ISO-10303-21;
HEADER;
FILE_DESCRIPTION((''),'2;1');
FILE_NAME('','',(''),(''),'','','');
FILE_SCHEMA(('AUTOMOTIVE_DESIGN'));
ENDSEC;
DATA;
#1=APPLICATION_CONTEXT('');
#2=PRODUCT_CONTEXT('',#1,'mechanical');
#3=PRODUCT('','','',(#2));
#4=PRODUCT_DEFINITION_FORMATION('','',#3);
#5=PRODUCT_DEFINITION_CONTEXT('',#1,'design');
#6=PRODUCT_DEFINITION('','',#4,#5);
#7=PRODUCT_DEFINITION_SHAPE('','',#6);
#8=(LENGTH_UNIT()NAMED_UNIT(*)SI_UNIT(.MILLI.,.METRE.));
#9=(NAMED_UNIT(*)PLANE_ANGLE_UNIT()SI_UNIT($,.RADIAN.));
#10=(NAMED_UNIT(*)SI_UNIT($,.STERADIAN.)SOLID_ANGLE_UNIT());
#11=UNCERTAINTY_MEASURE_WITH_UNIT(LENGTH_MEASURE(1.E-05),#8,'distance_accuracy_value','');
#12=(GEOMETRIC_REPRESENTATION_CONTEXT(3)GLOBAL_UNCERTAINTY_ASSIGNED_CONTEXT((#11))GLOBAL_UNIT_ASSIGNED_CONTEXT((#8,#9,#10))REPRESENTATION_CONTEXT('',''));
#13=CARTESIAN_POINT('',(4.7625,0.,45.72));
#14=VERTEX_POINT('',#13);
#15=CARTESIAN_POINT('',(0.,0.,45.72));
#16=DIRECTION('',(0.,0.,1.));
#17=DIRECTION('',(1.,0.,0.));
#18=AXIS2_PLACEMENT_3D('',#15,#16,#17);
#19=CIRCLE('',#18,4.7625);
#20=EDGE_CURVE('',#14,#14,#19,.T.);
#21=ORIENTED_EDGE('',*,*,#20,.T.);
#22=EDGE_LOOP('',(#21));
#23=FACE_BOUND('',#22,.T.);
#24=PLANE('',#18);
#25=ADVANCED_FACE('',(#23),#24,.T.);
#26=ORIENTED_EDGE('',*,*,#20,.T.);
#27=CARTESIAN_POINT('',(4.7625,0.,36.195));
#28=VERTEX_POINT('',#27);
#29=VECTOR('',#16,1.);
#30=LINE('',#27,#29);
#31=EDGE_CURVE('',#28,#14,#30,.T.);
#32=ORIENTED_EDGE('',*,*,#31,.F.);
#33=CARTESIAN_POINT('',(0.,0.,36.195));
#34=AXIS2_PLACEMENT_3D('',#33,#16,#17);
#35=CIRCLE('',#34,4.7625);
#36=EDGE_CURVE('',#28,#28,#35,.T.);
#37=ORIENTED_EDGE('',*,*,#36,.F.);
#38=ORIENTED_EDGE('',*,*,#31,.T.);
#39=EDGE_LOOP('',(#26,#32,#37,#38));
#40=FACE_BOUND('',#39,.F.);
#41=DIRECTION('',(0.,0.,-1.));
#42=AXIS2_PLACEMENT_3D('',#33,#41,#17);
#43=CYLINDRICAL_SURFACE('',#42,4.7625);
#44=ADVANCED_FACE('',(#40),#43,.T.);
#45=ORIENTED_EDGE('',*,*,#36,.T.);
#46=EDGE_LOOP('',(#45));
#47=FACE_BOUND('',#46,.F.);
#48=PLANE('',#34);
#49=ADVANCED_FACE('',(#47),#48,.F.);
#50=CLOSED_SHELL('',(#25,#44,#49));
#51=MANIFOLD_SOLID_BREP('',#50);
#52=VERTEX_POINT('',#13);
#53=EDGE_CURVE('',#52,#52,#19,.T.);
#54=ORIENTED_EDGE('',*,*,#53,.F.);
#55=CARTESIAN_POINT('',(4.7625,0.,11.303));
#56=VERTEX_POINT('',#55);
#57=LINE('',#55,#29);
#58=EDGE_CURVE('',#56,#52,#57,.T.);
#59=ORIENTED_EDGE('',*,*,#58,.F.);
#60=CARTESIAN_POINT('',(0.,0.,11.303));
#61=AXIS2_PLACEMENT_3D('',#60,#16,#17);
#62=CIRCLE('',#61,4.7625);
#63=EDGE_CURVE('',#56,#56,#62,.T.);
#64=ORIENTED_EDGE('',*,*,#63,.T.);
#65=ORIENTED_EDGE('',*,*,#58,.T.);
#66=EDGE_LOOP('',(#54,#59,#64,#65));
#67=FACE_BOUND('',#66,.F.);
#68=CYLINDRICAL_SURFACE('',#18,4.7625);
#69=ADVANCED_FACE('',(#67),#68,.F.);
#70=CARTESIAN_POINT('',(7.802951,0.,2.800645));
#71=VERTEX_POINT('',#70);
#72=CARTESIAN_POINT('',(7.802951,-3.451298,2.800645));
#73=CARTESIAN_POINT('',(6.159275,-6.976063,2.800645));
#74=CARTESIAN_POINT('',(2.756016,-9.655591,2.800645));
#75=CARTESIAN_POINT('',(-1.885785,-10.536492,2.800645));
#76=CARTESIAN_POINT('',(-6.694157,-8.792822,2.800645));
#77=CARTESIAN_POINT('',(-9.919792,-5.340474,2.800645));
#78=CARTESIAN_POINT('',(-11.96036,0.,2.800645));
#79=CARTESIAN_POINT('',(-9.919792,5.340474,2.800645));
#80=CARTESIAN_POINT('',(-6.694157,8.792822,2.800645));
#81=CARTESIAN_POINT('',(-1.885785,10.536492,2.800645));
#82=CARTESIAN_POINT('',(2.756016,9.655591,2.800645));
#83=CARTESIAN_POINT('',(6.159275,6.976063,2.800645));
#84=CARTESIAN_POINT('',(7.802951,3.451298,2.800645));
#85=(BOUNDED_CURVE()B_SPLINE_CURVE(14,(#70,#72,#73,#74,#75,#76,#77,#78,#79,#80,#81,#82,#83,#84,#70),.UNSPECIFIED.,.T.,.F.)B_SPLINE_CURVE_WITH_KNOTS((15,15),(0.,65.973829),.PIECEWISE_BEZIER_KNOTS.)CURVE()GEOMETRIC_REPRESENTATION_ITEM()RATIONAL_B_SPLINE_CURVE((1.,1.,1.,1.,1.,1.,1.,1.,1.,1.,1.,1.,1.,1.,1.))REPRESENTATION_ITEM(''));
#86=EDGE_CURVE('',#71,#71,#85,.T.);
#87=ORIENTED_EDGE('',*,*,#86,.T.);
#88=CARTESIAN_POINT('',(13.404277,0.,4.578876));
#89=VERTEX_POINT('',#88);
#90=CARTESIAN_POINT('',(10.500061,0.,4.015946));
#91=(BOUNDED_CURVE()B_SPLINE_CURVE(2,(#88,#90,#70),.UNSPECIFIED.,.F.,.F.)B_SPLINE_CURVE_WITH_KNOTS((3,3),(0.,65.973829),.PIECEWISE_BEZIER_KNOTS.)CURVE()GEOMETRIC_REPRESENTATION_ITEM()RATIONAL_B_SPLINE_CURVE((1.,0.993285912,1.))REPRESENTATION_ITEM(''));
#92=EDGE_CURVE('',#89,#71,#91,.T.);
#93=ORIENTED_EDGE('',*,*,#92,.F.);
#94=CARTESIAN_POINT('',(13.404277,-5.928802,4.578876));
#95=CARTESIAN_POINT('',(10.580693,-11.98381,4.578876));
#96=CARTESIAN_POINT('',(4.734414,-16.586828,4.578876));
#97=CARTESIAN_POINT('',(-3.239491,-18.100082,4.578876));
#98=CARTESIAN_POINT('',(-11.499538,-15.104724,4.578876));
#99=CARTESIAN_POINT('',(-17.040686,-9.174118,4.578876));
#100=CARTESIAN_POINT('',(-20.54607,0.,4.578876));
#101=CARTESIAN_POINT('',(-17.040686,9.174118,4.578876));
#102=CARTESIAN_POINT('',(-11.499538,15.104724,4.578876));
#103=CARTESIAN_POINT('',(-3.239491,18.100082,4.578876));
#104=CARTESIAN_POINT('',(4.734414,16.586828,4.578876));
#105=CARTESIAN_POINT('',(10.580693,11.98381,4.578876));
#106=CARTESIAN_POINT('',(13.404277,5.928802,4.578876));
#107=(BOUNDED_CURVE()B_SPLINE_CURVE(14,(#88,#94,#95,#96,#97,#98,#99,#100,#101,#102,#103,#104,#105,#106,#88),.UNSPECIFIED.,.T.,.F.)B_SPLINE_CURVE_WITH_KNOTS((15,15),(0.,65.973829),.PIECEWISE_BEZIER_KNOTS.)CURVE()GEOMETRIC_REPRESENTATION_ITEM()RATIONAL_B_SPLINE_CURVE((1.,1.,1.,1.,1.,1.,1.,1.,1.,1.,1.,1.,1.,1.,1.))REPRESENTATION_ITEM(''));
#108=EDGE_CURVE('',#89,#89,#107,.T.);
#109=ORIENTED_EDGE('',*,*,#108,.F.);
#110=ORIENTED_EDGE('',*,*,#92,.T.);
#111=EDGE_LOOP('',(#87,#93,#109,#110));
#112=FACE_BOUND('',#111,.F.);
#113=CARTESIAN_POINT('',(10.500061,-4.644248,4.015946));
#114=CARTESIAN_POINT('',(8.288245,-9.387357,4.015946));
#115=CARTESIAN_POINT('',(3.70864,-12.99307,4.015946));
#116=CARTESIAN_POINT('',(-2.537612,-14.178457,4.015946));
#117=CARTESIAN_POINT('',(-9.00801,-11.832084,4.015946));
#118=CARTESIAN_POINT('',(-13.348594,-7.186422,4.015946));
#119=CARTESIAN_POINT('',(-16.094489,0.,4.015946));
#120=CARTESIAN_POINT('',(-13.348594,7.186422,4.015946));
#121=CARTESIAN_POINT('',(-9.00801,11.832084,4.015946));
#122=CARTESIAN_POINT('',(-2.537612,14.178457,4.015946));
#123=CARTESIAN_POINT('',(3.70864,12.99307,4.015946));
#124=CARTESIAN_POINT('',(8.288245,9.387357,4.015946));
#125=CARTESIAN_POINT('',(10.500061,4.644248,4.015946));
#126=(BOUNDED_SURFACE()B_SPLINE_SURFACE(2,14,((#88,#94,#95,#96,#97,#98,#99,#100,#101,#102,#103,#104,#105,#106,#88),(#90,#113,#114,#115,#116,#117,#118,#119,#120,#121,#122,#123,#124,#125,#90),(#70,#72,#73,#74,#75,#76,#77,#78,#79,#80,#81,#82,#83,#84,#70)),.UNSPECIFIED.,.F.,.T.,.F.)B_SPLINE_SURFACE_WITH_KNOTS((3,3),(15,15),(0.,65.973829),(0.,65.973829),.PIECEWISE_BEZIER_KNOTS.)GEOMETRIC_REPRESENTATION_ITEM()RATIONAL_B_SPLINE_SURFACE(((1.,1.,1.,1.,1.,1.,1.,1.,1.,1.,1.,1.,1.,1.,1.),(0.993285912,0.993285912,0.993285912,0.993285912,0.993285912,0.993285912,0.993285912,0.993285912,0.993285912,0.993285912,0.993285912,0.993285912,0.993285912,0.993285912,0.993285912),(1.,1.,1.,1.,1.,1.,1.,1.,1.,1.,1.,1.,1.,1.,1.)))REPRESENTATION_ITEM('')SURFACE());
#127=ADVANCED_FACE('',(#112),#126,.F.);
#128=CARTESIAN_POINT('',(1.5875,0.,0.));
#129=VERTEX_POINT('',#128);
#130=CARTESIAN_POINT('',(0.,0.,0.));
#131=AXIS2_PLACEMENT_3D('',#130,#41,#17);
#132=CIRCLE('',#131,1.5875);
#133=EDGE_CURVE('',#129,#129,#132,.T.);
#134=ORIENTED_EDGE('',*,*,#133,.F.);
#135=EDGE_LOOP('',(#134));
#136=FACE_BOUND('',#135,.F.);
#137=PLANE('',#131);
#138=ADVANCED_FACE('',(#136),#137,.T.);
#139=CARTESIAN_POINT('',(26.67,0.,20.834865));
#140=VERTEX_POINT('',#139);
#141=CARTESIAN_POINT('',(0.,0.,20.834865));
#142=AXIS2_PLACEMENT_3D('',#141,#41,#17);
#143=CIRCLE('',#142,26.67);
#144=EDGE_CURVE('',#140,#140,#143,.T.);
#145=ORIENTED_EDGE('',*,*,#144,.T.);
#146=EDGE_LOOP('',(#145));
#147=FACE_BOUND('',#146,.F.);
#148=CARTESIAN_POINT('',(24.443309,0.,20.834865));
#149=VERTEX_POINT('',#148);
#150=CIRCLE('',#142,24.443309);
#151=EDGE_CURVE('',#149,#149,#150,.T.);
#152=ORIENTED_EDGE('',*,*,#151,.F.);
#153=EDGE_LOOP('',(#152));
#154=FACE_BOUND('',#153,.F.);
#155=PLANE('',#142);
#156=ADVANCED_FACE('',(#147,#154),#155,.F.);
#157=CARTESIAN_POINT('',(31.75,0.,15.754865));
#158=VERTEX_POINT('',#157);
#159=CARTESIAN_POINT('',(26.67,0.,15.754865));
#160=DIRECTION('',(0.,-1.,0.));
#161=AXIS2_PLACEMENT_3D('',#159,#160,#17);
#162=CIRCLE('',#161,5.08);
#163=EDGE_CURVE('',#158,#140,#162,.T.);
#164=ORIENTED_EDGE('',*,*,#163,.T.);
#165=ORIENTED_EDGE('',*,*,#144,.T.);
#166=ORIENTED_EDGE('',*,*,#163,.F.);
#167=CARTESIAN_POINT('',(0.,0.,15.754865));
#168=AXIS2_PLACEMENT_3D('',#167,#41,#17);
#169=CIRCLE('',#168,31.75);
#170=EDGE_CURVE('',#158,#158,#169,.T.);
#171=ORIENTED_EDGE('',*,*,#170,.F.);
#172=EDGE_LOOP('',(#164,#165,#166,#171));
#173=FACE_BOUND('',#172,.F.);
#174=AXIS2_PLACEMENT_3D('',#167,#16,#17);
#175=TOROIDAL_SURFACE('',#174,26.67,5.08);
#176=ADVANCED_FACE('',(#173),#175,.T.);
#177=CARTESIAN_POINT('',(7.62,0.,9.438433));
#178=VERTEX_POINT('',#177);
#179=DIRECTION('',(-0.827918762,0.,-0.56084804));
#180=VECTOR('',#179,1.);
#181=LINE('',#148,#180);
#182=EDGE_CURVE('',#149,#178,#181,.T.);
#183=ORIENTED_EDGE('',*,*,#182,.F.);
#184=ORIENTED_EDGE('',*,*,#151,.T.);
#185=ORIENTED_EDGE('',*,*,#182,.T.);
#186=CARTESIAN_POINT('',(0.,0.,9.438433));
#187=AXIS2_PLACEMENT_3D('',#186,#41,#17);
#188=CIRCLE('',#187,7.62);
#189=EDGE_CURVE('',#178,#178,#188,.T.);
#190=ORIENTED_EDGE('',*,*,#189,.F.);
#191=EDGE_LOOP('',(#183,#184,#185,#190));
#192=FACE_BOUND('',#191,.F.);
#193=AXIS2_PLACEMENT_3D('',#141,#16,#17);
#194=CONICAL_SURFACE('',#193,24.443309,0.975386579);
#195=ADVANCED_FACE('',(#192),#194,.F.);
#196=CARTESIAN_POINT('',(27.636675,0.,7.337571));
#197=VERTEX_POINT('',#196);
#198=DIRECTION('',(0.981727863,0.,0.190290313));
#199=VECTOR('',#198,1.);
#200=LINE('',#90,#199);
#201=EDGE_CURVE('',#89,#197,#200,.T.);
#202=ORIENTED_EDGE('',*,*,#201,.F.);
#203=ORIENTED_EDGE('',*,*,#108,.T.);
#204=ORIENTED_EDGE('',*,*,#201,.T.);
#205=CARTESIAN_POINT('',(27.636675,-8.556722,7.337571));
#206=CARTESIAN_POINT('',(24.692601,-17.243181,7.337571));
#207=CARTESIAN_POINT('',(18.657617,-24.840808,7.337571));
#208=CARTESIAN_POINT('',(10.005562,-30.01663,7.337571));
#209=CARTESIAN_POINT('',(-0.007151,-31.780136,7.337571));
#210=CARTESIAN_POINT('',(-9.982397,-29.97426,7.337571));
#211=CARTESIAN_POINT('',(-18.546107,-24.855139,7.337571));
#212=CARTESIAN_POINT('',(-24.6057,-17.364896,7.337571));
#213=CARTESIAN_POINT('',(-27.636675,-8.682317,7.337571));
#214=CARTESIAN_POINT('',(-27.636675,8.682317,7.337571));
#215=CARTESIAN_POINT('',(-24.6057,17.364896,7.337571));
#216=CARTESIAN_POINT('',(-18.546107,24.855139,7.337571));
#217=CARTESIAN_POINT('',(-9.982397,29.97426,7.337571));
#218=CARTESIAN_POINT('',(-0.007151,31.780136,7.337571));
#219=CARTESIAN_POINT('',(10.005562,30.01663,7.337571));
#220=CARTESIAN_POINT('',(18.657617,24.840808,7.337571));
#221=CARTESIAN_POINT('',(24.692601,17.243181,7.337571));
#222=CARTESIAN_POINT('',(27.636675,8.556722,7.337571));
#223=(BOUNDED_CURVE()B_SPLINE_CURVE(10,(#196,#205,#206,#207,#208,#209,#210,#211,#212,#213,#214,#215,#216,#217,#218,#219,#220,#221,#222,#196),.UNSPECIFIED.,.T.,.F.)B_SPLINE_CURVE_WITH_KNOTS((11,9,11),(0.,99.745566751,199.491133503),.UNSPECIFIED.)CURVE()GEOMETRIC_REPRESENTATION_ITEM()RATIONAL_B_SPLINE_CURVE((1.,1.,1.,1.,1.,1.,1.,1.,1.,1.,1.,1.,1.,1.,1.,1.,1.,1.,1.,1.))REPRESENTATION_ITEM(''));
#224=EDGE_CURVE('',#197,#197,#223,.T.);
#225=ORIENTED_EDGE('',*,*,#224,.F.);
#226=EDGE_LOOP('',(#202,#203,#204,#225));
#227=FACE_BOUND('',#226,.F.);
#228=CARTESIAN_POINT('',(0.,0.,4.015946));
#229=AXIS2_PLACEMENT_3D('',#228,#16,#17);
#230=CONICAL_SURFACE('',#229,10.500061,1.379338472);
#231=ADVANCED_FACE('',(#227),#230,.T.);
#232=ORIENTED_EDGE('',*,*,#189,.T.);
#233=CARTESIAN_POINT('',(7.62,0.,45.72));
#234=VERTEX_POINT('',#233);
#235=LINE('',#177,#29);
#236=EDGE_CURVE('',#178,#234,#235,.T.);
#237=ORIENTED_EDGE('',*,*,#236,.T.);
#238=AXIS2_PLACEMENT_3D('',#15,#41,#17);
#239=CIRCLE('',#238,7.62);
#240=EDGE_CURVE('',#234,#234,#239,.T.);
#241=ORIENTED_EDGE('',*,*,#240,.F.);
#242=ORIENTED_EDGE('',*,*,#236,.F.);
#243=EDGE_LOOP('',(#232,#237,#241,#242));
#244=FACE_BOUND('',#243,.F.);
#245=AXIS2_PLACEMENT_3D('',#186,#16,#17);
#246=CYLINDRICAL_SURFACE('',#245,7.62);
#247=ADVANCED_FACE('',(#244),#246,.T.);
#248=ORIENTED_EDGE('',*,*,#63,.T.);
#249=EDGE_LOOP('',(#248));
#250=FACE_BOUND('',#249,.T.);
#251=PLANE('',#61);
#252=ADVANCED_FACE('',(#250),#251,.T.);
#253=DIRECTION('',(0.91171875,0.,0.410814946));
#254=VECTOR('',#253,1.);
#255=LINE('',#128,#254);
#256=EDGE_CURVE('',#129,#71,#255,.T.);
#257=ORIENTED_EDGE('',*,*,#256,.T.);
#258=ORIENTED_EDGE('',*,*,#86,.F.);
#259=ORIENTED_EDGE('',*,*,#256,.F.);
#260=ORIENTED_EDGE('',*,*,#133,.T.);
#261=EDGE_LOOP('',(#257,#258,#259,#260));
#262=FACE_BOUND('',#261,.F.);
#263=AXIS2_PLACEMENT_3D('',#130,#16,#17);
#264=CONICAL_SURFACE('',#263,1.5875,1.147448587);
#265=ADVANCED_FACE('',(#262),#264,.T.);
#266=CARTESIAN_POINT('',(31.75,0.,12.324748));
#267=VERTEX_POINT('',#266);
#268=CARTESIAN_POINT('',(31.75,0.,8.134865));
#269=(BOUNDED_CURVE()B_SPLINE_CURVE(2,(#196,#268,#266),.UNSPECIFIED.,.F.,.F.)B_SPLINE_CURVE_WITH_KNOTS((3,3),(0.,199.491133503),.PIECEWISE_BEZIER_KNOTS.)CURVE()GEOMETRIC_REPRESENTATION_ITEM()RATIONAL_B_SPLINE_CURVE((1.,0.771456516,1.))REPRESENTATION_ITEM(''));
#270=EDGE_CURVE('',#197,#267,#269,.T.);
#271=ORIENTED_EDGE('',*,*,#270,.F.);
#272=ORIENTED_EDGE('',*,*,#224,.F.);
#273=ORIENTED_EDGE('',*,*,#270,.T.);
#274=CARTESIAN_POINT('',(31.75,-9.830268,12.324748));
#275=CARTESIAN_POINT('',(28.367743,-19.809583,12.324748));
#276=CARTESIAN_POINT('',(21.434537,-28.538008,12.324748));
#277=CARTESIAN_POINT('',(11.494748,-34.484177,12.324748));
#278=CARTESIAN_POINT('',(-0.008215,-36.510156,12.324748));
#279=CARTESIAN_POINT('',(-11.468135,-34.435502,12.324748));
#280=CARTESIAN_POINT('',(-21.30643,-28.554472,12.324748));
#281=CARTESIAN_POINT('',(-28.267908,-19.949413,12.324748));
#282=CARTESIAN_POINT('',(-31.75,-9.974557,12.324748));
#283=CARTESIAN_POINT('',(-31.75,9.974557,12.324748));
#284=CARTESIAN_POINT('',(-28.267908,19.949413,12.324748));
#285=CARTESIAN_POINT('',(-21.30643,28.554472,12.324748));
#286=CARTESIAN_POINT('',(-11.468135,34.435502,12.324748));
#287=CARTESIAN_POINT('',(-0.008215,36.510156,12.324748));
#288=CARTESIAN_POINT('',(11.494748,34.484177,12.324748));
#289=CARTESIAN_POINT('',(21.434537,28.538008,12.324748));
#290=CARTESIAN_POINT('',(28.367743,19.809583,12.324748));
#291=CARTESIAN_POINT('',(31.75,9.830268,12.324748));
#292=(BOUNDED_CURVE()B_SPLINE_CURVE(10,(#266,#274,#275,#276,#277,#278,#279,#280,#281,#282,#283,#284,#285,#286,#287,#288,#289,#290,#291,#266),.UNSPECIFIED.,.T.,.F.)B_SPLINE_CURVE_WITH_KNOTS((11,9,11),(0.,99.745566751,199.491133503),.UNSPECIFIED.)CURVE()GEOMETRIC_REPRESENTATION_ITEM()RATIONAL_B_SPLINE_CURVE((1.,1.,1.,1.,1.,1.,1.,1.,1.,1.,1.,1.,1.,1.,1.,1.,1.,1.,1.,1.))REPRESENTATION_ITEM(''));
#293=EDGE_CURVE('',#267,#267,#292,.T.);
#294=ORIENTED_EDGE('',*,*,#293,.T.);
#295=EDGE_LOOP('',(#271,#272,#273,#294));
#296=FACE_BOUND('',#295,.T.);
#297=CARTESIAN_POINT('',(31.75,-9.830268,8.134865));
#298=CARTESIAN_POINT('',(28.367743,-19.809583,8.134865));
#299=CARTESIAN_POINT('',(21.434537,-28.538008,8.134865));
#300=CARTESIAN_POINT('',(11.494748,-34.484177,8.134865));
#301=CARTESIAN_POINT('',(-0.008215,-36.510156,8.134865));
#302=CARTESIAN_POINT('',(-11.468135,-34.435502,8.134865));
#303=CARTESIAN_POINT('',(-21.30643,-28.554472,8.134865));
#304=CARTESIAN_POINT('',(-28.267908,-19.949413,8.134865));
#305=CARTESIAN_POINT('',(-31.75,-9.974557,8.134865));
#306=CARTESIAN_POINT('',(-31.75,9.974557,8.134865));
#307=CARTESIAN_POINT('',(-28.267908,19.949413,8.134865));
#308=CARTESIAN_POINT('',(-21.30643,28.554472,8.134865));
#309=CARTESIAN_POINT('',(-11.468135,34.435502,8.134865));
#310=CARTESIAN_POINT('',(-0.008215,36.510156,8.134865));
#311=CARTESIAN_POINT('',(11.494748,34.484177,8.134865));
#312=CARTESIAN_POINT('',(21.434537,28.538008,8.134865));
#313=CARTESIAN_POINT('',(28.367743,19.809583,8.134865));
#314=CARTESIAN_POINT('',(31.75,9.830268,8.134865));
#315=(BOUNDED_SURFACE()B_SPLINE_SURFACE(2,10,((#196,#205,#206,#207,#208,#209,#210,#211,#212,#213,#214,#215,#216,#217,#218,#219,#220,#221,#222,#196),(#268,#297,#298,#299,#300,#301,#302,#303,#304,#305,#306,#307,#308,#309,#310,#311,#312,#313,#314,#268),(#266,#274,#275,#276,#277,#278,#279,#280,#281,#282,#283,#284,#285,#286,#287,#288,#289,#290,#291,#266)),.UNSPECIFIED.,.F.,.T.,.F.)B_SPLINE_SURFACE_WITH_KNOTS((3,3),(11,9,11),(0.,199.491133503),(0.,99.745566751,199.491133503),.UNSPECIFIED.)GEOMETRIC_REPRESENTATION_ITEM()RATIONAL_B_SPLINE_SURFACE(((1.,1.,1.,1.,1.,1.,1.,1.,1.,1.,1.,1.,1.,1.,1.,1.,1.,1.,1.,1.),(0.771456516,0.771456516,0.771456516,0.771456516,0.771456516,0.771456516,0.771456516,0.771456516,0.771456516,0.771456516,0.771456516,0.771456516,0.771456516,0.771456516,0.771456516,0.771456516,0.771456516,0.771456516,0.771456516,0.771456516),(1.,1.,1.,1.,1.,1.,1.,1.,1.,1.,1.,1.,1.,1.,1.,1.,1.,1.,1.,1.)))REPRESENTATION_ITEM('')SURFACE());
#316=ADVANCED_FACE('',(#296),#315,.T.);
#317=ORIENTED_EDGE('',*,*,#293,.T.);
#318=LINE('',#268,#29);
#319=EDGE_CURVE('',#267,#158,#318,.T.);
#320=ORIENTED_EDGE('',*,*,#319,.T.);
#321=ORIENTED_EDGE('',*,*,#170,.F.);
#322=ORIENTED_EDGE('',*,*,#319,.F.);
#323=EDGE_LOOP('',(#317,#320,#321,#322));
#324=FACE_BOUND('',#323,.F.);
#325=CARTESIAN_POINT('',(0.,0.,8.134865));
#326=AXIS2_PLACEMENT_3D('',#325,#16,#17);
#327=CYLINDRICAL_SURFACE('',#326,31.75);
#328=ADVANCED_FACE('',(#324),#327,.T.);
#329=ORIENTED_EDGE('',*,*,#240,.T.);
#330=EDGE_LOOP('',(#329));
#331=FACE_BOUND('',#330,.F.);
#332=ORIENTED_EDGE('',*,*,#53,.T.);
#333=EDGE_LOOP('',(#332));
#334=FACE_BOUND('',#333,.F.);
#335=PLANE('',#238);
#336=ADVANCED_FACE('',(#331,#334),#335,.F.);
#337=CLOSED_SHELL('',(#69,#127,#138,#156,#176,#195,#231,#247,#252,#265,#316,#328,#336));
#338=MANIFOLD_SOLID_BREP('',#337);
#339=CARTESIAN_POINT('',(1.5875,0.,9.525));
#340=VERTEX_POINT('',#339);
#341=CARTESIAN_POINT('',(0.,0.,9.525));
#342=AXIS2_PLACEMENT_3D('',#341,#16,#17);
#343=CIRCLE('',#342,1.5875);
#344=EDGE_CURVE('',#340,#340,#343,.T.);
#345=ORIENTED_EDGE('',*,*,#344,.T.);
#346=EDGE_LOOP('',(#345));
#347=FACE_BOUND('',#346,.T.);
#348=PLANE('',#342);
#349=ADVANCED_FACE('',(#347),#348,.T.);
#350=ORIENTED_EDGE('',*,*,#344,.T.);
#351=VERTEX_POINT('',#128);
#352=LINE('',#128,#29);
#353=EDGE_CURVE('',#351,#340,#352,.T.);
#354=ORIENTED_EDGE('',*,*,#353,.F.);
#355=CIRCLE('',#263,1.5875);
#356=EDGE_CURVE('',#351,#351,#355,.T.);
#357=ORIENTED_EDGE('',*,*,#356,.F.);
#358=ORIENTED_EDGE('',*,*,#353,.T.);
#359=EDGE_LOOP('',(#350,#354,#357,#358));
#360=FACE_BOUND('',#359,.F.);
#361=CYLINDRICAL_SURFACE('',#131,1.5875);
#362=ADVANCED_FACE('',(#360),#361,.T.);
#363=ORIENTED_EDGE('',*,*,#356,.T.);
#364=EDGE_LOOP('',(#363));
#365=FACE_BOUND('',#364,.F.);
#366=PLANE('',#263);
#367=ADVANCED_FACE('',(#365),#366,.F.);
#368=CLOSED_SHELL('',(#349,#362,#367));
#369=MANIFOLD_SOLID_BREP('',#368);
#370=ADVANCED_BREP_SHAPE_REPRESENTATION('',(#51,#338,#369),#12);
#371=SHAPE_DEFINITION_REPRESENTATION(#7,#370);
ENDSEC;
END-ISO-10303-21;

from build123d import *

# Parameters (mm, degrees)
F2_R      = 5.08
F3_R      = 25.4
F4_R      = 4.7625
F5_DEPTH  = 9.525
F6_R      = 1.5875
F7_DEPTH  = 9.525
F5_FACE_R = 4.7625
F8_DEPTH  = 9.525
F9_DEPTH  = 24.892


with BuildPart() as f1:
    # F0 (on Front) → F1 (revolve)
    with BuildSketch(Plane.XZ):
        Polygon((10.500061, 4.015946), (31.75, 8.134865), (31.75, 20.834865), (24.443309, 20.834865), (7.62, 9.438433), (7.62, 45.72), (0, 45.72), (0, 0), (1.5875, 0), align=None)
    revolve(axis=Axis((0, 0, 22.86), (0, 0, -1)))

    # F2
    f2_edges = [f1.edges().sort_by_distance(p)[0] for p in [
        (-31.75, 0, 8.134865),
        (-31.75, 0, 20.834865),
        (31.75, 0, 14.484865),
    ]]
    fillet(f2_edges, radius=F2_R)

    # F3
    f3_edges = [f1.edges().sort_by_distance(p)[0] for p in [
        (-10.500061, 0, 4.015946),
    ]]
    fillet(f3_edges, radius=F3_R)

    # F4 (on face) → F5 (cut)
    with BuildSketch(Plane.XY.offset(45.72)):
        Circle(F4_R)
    extrude(amount=-F5_DEPTH, mode=Mode.SUBTRACT)

    # F5_face (on face) → F9 (cut)
    with BuildSketch(Plane.XY.offset(36.195)):
        Circle(F5_FACE_R)
    extrude(amount=-F9_DEPTH, mode=Mode.SUBTRACT)


with BuildPart() as f7:
    # F6 (on Top) → F7 (new body)
    with BuildSketch(Plane.XY):
        Circle(F6_R)
    extrude(amount=F7_DEPTH)


with BuildPart() as f8:
    # F5_face (on face) → F8 (new body)
    with BuildSketch(Plane.XY.offset(36.195)):
        Circle(F5_FACE_R)
    extrude(amount=F8_DEPTH)


solid = Compound([f1.part, f7.part, f8.part])
